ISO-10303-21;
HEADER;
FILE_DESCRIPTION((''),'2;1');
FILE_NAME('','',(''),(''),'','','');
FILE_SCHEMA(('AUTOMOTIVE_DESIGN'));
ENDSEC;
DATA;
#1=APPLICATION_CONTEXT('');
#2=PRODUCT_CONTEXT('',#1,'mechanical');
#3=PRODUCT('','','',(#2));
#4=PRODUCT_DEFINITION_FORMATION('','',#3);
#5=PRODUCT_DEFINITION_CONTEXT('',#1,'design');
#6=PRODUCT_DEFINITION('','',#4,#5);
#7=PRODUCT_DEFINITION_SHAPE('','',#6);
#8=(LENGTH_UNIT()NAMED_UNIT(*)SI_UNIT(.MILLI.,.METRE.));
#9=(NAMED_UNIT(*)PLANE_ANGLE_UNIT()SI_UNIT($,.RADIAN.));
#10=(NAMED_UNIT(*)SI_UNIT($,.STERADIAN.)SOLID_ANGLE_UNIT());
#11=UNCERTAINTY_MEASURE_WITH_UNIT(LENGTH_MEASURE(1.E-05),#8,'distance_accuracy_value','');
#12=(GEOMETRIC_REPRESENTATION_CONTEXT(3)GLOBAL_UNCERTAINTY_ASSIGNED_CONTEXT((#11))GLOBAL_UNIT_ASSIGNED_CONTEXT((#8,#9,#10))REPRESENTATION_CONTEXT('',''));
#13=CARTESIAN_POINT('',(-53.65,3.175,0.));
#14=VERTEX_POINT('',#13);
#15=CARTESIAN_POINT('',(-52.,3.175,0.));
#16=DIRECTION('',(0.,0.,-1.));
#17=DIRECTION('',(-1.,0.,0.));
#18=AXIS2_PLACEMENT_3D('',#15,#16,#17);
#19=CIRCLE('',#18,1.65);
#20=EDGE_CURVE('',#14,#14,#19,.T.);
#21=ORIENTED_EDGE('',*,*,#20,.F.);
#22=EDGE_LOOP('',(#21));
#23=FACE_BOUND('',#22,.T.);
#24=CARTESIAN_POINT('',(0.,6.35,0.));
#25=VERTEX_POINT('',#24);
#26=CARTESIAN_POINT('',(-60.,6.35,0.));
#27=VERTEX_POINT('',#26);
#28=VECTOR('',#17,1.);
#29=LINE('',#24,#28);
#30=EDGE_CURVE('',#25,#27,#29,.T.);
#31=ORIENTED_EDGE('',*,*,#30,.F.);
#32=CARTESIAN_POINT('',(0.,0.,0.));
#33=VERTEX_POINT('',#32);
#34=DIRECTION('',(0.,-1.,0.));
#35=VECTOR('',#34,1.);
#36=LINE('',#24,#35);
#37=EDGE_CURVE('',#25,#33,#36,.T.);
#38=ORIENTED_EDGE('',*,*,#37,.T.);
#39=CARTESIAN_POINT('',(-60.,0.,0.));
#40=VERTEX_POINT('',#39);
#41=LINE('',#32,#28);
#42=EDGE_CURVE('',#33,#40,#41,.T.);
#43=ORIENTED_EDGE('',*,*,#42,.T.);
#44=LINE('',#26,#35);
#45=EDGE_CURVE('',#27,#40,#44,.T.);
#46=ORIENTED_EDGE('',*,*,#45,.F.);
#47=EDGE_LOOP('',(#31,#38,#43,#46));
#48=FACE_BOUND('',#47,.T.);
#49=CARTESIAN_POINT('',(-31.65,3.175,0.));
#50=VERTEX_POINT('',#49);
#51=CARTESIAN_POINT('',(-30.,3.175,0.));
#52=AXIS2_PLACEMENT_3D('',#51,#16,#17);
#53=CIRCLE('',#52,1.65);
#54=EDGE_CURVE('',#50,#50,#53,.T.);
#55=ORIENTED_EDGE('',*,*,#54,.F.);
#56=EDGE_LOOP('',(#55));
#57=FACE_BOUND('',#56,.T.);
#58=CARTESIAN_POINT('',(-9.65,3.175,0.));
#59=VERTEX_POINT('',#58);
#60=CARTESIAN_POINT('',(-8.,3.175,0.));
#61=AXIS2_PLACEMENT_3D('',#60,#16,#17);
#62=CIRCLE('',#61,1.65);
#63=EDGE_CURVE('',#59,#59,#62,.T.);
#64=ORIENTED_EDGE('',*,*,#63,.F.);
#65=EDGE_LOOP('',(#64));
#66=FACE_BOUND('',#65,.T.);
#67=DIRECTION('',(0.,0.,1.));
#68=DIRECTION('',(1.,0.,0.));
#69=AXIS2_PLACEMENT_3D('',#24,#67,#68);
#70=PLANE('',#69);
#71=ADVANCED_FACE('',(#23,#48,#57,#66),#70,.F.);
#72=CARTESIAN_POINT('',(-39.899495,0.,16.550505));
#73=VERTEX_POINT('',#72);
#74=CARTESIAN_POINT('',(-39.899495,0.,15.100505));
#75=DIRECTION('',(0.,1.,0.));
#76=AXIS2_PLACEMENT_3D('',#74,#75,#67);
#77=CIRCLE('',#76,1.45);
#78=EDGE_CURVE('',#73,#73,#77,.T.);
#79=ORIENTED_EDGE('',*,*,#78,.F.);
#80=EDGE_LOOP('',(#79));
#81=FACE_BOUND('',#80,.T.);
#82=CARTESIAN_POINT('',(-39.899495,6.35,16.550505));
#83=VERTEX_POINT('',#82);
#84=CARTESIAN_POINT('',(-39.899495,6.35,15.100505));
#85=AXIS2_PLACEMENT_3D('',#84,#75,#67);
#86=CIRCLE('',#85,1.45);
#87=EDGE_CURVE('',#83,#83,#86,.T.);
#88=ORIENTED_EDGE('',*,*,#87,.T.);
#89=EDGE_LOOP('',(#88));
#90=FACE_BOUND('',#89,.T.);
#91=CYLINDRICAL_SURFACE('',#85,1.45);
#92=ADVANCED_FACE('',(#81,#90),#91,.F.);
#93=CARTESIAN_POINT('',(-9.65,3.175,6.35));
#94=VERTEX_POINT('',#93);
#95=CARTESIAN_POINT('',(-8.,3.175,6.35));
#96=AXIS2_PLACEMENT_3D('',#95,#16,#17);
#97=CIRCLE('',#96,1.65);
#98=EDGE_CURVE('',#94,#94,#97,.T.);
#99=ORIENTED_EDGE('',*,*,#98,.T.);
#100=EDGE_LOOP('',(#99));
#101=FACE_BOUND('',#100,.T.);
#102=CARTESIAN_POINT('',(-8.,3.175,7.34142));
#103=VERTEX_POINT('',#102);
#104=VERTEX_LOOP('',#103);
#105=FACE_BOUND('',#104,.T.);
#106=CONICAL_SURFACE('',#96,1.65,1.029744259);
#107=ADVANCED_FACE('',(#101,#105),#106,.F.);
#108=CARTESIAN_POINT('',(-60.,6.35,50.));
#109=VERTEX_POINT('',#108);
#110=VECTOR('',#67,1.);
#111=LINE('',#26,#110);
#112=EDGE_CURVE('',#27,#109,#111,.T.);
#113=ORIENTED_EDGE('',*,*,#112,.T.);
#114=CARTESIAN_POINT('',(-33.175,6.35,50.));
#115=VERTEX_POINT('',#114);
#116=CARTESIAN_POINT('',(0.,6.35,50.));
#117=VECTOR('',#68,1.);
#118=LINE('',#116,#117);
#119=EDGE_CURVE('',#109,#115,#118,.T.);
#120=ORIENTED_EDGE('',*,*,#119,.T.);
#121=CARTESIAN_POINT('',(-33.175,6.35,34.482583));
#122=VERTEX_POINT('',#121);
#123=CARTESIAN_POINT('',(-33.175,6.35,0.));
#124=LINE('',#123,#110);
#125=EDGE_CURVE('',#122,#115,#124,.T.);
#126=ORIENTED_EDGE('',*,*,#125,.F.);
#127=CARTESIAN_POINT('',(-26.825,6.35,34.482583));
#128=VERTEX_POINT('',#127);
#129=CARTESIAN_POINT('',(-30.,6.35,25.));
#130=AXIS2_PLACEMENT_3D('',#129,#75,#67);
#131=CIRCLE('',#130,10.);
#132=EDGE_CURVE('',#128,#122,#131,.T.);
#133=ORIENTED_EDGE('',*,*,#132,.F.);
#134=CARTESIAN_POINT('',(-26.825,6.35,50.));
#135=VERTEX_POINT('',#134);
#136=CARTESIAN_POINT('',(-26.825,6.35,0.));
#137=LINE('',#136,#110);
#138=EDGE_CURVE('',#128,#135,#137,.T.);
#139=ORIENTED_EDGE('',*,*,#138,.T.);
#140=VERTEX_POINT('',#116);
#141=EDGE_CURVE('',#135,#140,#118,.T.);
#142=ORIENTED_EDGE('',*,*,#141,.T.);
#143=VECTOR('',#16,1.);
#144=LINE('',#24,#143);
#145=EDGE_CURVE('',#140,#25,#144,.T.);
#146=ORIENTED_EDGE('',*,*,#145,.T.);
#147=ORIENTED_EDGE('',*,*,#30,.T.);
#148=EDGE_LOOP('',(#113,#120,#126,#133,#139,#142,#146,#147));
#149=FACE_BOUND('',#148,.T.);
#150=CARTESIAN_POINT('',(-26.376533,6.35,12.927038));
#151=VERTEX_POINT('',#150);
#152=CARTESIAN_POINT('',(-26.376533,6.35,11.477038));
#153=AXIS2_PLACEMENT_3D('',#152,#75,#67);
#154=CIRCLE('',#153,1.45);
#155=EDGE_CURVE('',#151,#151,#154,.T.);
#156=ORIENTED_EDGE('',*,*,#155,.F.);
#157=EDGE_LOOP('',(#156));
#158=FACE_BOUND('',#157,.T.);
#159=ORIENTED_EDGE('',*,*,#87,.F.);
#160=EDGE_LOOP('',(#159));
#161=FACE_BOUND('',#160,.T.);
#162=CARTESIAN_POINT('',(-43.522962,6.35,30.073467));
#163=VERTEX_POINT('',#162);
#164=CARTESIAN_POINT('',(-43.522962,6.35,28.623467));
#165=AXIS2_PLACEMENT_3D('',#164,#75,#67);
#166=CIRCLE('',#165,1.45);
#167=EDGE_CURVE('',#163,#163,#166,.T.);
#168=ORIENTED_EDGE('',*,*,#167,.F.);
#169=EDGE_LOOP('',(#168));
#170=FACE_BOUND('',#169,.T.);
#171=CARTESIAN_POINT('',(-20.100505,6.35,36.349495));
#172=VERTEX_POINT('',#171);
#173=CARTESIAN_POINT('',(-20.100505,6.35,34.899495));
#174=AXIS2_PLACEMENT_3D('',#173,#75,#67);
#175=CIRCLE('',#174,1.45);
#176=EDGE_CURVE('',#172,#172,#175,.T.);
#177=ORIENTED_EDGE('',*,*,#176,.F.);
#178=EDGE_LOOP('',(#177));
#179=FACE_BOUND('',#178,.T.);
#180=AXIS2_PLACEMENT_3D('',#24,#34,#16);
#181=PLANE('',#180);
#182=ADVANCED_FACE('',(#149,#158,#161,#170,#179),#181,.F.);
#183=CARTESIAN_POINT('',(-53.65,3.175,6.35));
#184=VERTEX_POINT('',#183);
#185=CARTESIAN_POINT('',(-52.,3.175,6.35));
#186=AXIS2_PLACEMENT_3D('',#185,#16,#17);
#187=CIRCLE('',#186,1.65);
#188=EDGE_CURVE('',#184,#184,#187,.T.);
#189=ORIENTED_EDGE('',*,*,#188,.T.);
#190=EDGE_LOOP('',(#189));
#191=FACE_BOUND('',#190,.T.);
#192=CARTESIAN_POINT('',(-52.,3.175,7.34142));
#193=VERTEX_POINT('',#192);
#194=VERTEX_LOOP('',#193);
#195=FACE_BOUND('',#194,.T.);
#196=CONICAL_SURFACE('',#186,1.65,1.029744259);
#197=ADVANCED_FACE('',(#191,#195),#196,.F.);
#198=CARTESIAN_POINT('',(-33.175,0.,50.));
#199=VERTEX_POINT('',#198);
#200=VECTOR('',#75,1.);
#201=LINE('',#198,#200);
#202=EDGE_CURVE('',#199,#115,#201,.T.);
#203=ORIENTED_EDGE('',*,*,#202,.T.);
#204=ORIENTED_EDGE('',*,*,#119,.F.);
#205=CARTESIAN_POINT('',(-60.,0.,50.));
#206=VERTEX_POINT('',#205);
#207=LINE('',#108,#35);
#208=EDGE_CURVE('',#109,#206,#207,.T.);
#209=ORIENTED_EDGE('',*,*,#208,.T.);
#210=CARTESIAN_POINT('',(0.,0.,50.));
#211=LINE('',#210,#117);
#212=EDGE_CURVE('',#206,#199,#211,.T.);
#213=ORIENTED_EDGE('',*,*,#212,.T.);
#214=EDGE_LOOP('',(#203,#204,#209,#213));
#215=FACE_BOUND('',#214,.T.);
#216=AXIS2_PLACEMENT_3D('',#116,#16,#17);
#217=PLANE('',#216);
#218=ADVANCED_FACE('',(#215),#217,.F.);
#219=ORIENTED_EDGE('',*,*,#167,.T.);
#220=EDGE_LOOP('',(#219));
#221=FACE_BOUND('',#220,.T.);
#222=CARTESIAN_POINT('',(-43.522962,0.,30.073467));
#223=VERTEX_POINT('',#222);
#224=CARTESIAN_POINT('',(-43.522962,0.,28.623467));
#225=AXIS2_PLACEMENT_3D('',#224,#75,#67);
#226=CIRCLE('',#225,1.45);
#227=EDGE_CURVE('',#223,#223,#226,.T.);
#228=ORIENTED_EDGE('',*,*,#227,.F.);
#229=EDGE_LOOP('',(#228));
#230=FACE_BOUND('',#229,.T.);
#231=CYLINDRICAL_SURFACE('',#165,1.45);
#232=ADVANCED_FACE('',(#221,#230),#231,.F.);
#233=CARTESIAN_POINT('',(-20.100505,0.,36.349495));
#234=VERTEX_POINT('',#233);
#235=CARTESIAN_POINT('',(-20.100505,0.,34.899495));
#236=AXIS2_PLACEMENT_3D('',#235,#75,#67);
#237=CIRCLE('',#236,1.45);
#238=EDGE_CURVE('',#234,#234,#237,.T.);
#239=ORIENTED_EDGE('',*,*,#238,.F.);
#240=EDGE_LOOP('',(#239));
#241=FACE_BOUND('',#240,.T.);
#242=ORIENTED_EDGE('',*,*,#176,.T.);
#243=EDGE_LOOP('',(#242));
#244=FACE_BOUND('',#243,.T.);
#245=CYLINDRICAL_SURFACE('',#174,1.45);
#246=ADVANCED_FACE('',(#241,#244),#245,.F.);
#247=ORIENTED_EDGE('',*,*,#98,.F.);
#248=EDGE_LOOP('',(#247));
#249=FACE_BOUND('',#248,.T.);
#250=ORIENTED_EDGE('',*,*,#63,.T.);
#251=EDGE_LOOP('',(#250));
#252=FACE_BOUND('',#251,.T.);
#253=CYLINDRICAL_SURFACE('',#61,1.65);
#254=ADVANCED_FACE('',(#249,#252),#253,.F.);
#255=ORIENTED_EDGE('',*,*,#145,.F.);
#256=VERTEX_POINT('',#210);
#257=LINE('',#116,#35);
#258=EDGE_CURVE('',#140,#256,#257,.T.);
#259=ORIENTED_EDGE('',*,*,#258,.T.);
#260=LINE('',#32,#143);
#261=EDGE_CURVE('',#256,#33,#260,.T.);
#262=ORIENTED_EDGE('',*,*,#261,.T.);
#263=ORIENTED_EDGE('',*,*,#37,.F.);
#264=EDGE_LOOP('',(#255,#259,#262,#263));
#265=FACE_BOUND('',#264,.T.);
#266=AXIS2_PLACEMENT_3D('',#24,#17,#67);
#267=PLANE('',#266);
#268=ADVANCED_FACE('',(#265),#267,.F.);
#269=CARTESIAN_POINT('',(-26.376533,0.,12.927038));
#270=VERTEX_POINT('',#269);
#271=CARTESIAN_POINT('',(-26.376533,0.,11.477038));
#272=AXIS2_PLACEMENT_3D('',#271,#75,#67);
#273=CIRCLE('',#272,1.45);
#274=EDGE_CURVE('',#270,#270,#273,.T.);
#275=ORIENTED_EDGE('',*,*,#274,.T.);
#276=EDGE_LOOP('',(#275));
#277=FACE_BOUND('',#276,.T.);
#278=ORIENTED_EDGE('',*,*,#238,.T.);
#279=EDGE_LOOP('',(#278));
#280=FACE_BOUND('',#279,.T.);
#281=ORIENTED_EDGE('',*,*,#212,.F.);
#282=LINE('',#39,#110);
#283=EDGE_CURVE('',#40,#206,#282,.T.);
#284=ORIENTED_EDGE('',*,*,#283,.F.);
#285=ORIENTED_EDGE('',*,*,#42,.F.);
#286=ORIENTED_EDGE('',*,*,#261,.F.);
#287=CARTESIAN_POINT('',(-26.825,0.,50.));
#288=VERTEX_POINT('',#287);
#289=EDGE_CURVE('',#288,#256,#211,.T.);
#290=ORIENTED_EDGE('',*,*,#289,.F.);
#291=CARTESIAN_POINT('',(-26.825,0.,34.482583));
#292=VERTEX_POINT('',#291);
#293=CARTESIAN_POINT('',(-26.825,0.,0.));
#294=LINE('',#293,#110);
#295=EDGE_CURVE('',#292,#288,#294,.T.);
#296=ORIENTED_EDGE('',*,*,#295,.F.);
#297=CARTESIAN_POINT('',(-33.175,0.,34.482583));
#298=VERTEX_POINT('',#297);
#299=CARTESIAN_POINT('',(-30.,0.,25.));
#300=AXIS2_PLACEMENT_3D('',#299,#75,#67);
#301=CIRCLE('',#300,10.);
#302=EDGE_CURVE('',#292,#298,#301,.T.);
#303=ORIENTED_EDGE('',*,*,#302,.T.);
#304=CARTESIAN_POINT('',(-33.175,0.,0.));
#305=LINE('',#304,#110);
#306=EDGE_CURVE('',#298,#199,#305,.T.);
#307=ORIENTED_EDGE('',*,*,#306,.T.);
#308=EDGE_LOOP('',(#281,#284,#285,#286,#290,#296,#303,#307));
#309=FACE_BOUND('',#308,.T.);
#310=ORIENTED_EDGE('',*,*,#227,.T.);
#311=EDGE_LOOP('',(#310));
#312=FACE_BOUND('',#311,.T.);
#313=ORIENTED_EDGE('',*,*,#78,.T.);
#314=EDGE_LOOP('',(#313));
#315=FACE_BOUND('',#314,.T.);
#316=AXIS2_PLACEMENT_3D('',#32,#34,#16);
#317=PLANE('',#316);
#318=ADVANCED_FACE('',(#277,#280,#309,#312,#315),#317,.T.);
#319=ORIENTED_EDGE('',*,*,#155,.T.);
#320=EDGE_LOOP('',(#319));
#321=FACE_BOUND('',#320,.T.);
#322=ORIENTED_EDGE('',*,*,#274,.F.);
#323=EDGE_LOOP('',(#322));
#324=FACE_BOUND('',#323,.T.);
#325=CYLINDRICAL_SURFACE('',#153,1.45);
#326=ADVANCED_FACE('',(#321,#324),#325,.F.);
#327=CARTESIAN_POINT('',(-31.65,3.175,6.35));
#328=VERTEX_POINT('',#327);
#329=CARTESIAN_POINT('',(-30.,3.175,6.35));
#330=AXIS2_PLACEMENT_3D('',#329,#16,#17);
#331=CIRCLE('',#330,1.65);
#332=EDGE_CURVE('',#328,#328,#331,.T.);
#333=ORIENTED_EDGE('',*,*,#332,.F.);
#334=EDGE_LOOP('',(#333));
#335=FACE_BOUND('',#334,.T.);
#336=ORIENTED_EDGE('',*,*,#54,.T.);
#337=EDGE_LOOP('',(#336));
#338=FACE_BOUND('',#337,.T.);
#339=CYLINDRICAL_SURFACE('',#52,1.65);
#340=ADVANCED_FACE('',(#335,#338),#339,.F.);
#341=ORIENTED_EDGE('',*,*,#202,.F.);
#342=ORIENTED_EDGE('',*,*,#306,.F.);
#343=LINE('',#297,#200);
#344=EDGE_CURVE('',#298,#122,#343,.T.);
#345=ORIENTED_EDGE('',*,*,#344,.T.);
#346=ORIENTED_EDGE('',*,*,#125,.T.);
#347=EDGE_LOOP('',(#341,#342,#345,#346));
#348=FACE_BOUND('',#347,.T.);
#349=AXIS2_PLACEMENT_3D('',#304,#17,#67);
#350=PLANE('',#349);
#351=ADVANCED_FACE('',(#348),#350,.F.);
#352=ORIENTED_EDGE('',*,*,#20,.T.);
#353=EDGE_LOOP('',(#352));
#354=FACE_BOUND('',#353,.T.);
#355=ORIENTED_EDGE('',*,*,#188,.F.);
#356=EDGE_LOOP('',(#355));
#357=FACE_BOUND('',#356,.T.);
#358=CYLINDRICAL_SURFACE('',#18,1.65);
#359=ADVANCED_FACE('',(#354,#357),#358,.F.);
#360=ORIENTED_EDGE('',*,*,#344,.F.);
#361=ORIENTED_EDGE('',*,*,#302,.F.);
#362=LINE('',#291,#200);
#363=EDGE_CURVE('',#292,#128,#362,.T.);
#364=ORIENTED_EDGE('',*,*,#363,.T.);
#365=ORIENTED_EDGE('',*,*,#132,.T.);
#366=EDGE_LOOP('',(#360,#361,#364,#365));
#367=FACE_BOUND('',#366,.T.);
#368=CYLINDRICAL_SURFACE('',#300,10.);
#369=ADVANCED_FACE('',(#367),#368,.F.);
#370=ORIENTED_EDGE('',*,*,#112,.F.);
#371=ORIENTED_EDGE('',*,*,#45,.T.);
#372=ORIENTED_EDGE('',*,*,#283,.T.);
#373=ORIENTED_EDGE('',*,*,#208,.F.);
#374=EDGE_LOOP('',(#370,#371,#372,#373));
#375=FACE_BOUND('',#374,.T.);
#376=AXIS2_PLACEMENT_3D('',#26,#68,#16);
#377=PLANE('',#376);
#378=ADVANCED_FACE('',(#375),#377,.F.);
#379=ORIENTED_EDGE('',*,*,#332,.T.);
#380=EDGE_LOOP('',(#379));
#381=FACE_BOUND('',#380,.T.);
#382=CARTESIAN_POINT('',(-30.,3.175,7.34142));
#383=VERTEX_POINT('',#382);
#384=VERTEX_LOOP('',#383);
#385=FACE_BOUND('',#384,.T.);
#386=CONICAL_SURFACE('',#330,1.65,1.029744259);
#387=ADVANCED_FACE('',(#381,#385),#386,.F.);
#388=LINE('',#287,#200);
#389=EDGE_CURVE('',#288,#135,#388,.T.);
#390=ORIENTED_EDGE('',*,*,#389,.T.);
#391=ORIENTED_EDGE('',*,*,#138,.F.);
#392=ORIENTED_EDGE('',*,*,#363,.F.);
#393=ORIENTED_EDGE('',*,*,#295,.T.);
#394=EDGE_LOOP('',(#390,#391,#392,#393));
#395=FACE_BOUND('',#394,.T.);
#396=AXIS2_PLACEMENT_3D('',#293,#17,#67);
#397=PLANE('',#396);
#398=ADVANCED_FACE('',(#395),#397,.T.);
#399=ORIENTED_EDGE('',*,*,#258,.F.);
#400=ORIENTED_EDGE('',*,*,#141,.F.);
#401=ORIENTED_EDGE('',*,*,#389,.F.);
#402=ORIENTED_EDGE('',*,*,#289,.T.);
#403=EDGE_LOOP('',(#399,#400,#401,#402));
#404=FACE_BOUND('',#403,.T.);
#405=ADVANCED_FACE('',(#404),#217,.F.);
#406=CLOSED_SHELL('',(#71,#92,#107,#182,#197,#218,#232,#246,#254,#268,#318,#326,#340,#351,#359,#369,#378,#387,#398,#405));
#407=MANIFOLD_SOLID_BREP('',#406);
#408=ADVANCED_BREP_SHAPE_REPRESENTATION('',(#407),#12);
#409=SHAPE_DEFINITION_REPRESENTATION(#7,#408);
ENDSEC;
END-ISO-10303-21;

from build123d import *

# Parameters (mm, degrees)
SKETCH1_W                 = 60
SKETCH1_H                 = 50
BOSS_EXTRUDE1_DEPTH       = 6.35
CUT_EXTRUDE1_DEPTH        = 6.35
M3_5X0_6_TAPPED_HOLE1_D   = 2.9
M4X0_7_TAPPED_HOLE1_D     = 3.3
M4X0_7_TAPPED_HOLE1_DEPTH = 6.35
M4X0_7_TAPPED_HOLE1_TIP   = 0.991420021


with BuildPart() as part:
    # Sketch1 → Boss-Extrude1 (new body)
    with BuildSketch(Plane(origin=(0, 0, 0), x_dir=(1, 0, 0), z_dir=(0, 1, 0))):
        with Locations((-30, -25)):
            Rectangle(SKETCH1_W, SKETCH1_H)
    extrude(amount=BOSS_EXTRUDE1_DEPTH)

    # Sketch2 → Cut-Extrude1 (cut)
    with BuildSketch(Plane(origin=(0, 6.35, 0), x_dir=(1, 0, 0), z_dir=(0, 1, 0))):
        with BuildLine():
            Line((-26.825, -34.482582718), (-26.825, -20))
            Line((-26.825, -20), (-33.175, -20))
            Line((-33.175, -20), (-33.175, -34.482582718))
            ThreePointArc((-33.175, -34.482582718), (-30, -35), (-26.825, -34.482582718))
        make_face()
        with BuildLine():
            Line((-33.175, -20), (-26.825, -20))
            Line((-26.825, -20), (-26.825, -34.482582718))
            ThreePointArc((-26.825, -34.482582718), (-21.88365846, -30.841660723), (-20, -25))
            ThreePointArc((-20, -25), (-35.841660723, -16.88365846), (-33.175, -34.482582718))
            Line((-33.175, -34.482582718), (-33.175, -20))
        make_face()
        with BuildLine():
            Line((-26.825, -50), (-26.825, -34.482582718))
            ThreePointArc((-26.825, -34.482582718), (-30, -35), (-33.175, -34.482582718))
            Line((-33.175, -34.482582718), (-33.175, -50))
            Line((-33.175, -50), (-26.825, -50))
        make_face()
    extrude(amount=-CUT_EXTRUDE1_DEPTH, mode=Mode.SUBTRACT)

    # M3.5x0.6 Tapped Hole1 (through all)
    with Locations(Plane(origin=(-26.376533369, 6.35, 11.477038432), x_dir=(0, 0, 1), z_dir=(0, 1, 0))):
        with Locations((0, 0), (3.623466631, -13.522961568), (17.146428199, -17.146428199), (23.422456505, 6.276028306)):
            Hole(M3_5X0_6_TAPPED_HOLE1_D / 2)

    # M4x0.7 Tapped Hole1
    with Locations(Plane(origin=(-8, 3.175, 0), x_dir=(-1, 0, 0), z_dir=(0, 0, -1))):
        with Locations((0, 0), (22, 0), (44, 0)):
            Hole(M4X0_7_TAPPED_HOLE1_D / 2, depth=M4X0_7_TAPPED_HOLE1_DEPTH)
            with Locations((0, 0, -(M4X0_7_TAPPED_HOLE1_DEPTH + M4X0_7_TAPPED_HOLE1_TIP / 2))):  # 118° drill point
                Cone(0, M4X0_7_TAPPED_HOLE1_D / 2, M4X0_7_TAPPED_HOLE1_TIP, mode=Mode.SUBTRACT)


solid = part.part
